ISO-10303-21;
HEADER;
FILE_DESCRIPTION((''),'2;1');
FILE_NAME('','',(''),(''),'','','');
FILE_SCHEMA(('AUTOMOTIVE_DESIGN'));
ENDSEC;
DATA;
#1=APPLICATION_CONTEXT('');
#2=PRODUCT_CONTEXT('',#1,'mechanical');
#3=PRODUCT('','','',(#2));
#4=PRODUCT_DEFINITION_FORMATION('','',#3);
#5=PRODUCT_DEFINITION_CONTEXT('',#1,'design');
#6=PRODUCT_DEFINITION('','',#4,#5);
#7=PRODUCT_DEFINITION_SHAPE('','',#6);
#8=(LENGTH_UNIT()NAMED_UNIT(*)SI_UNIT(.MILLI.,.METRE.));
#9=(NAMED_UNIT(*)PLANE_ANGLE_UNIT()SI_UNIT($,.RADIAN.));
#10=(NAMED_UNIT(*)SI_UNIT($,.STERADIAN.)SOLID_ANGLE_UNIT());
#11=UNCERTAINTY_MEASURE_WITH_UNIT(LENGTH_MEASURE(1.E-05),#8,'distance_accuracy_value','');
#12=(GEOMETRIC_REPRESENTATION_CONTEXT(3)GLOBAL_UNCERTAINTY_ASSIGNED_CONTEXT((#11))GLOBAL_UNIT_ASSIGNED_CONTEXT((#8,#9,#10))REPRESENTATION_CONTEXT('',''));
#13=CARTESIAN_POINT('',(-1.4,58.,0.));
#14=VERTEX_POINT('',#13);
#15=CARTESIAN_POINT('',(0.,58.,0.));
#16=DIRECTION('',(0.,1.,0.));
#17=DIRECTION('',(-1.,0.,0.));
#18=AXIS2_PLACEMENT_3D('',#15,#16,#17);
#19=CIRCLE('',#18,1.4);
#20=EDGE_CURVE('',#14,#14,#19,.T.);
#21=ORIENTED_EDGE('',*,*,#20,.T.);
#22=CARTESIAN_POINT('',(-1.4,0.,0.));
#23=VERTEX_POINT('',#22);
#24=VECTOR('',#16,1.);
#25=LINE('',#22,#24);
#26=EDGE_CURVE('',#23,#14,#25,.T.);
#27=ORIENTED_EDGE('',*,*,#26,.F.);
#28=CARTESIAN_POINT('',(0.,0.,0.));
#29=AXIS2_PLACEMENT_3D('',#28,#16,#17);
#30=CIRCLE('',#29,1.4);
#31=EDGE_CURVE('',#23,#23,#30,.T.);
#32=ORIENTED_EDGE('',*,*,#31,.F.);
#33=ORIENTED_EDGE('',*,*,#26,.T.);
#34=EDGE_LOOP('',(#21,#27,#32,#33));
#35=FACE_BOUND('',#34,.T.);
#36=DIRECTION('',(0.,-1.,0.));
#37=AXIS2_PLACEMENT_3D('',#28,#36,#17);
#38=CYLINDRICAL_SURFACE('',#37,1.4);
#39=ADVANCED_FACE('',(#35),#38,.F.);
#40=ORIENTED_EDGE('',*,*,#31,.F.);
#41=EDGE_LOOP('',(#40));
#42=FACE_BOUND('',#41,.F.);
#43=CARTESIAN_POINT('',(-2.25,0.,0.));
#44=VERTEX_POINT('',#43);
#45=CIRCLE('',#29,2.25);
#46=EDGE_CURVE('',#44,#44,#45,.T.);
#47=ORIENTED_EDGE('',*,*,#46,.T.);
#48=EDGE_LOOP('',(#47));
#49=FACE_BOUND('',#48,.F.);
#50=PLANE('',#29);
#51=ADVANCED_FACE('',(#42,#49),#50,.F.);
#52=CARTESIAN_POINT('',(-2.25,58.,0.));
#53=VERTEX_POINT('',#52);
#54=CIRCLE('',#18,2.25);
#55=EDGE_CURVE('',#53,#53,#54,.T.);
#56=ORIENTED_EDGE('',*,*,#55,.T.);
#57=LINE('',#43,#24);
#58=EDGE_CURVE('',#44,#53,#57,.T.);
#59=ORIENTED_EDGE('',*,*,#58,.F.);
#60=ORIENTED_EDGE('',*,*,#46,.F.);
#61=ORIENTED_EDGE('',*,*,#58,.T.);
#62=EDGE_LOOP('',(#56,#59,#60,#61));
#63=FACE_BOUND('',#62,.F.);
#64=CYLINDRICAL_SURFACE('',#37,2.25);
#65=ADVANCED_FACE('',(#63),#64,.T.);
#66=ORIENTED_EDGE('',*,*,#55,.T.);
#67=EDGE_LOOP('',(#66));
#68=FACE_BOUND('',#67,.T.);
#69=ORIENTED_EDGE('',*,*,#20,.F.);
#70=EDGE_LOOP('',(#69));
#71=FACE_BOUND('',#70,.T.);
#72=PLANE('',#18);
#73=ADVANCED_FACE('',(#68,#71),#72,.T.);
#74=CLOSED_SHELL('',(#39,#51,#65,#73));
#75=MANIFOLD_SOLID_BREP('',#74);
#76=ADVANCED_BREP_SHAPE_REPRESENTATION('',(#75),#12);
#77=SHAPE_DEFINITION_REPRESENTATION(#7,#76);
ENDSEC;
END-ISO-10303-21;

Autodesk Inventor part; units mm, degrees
ref_plane "YZ Plane" through (0, 0, 0) normal (1, 0, 0) x (0, 1, 0)
ref_plane "XZ Plane" through (0, 0, 0) normal (0, 1, 0) x (-1, 0, 0)
ref_plane "XY Plane" through (0, 0, 0) normal (0, 0, 1) x (1, 0, 0)
sketch "Sketch1" plane through (0, 0, 0) normal (0, 1, 0) x (-1, 0, 0)
  circle A0 centre (0, 0) radius 2.25
  circle A1 centre (0, 0) radius 1.4
  dimension "d0" = 4.5
  dimension "d1" = 2.8
extrude "Extrusion1" add sketch "Sketch1" along normal blind 58
properties part number "Rod Housing Mirror"
